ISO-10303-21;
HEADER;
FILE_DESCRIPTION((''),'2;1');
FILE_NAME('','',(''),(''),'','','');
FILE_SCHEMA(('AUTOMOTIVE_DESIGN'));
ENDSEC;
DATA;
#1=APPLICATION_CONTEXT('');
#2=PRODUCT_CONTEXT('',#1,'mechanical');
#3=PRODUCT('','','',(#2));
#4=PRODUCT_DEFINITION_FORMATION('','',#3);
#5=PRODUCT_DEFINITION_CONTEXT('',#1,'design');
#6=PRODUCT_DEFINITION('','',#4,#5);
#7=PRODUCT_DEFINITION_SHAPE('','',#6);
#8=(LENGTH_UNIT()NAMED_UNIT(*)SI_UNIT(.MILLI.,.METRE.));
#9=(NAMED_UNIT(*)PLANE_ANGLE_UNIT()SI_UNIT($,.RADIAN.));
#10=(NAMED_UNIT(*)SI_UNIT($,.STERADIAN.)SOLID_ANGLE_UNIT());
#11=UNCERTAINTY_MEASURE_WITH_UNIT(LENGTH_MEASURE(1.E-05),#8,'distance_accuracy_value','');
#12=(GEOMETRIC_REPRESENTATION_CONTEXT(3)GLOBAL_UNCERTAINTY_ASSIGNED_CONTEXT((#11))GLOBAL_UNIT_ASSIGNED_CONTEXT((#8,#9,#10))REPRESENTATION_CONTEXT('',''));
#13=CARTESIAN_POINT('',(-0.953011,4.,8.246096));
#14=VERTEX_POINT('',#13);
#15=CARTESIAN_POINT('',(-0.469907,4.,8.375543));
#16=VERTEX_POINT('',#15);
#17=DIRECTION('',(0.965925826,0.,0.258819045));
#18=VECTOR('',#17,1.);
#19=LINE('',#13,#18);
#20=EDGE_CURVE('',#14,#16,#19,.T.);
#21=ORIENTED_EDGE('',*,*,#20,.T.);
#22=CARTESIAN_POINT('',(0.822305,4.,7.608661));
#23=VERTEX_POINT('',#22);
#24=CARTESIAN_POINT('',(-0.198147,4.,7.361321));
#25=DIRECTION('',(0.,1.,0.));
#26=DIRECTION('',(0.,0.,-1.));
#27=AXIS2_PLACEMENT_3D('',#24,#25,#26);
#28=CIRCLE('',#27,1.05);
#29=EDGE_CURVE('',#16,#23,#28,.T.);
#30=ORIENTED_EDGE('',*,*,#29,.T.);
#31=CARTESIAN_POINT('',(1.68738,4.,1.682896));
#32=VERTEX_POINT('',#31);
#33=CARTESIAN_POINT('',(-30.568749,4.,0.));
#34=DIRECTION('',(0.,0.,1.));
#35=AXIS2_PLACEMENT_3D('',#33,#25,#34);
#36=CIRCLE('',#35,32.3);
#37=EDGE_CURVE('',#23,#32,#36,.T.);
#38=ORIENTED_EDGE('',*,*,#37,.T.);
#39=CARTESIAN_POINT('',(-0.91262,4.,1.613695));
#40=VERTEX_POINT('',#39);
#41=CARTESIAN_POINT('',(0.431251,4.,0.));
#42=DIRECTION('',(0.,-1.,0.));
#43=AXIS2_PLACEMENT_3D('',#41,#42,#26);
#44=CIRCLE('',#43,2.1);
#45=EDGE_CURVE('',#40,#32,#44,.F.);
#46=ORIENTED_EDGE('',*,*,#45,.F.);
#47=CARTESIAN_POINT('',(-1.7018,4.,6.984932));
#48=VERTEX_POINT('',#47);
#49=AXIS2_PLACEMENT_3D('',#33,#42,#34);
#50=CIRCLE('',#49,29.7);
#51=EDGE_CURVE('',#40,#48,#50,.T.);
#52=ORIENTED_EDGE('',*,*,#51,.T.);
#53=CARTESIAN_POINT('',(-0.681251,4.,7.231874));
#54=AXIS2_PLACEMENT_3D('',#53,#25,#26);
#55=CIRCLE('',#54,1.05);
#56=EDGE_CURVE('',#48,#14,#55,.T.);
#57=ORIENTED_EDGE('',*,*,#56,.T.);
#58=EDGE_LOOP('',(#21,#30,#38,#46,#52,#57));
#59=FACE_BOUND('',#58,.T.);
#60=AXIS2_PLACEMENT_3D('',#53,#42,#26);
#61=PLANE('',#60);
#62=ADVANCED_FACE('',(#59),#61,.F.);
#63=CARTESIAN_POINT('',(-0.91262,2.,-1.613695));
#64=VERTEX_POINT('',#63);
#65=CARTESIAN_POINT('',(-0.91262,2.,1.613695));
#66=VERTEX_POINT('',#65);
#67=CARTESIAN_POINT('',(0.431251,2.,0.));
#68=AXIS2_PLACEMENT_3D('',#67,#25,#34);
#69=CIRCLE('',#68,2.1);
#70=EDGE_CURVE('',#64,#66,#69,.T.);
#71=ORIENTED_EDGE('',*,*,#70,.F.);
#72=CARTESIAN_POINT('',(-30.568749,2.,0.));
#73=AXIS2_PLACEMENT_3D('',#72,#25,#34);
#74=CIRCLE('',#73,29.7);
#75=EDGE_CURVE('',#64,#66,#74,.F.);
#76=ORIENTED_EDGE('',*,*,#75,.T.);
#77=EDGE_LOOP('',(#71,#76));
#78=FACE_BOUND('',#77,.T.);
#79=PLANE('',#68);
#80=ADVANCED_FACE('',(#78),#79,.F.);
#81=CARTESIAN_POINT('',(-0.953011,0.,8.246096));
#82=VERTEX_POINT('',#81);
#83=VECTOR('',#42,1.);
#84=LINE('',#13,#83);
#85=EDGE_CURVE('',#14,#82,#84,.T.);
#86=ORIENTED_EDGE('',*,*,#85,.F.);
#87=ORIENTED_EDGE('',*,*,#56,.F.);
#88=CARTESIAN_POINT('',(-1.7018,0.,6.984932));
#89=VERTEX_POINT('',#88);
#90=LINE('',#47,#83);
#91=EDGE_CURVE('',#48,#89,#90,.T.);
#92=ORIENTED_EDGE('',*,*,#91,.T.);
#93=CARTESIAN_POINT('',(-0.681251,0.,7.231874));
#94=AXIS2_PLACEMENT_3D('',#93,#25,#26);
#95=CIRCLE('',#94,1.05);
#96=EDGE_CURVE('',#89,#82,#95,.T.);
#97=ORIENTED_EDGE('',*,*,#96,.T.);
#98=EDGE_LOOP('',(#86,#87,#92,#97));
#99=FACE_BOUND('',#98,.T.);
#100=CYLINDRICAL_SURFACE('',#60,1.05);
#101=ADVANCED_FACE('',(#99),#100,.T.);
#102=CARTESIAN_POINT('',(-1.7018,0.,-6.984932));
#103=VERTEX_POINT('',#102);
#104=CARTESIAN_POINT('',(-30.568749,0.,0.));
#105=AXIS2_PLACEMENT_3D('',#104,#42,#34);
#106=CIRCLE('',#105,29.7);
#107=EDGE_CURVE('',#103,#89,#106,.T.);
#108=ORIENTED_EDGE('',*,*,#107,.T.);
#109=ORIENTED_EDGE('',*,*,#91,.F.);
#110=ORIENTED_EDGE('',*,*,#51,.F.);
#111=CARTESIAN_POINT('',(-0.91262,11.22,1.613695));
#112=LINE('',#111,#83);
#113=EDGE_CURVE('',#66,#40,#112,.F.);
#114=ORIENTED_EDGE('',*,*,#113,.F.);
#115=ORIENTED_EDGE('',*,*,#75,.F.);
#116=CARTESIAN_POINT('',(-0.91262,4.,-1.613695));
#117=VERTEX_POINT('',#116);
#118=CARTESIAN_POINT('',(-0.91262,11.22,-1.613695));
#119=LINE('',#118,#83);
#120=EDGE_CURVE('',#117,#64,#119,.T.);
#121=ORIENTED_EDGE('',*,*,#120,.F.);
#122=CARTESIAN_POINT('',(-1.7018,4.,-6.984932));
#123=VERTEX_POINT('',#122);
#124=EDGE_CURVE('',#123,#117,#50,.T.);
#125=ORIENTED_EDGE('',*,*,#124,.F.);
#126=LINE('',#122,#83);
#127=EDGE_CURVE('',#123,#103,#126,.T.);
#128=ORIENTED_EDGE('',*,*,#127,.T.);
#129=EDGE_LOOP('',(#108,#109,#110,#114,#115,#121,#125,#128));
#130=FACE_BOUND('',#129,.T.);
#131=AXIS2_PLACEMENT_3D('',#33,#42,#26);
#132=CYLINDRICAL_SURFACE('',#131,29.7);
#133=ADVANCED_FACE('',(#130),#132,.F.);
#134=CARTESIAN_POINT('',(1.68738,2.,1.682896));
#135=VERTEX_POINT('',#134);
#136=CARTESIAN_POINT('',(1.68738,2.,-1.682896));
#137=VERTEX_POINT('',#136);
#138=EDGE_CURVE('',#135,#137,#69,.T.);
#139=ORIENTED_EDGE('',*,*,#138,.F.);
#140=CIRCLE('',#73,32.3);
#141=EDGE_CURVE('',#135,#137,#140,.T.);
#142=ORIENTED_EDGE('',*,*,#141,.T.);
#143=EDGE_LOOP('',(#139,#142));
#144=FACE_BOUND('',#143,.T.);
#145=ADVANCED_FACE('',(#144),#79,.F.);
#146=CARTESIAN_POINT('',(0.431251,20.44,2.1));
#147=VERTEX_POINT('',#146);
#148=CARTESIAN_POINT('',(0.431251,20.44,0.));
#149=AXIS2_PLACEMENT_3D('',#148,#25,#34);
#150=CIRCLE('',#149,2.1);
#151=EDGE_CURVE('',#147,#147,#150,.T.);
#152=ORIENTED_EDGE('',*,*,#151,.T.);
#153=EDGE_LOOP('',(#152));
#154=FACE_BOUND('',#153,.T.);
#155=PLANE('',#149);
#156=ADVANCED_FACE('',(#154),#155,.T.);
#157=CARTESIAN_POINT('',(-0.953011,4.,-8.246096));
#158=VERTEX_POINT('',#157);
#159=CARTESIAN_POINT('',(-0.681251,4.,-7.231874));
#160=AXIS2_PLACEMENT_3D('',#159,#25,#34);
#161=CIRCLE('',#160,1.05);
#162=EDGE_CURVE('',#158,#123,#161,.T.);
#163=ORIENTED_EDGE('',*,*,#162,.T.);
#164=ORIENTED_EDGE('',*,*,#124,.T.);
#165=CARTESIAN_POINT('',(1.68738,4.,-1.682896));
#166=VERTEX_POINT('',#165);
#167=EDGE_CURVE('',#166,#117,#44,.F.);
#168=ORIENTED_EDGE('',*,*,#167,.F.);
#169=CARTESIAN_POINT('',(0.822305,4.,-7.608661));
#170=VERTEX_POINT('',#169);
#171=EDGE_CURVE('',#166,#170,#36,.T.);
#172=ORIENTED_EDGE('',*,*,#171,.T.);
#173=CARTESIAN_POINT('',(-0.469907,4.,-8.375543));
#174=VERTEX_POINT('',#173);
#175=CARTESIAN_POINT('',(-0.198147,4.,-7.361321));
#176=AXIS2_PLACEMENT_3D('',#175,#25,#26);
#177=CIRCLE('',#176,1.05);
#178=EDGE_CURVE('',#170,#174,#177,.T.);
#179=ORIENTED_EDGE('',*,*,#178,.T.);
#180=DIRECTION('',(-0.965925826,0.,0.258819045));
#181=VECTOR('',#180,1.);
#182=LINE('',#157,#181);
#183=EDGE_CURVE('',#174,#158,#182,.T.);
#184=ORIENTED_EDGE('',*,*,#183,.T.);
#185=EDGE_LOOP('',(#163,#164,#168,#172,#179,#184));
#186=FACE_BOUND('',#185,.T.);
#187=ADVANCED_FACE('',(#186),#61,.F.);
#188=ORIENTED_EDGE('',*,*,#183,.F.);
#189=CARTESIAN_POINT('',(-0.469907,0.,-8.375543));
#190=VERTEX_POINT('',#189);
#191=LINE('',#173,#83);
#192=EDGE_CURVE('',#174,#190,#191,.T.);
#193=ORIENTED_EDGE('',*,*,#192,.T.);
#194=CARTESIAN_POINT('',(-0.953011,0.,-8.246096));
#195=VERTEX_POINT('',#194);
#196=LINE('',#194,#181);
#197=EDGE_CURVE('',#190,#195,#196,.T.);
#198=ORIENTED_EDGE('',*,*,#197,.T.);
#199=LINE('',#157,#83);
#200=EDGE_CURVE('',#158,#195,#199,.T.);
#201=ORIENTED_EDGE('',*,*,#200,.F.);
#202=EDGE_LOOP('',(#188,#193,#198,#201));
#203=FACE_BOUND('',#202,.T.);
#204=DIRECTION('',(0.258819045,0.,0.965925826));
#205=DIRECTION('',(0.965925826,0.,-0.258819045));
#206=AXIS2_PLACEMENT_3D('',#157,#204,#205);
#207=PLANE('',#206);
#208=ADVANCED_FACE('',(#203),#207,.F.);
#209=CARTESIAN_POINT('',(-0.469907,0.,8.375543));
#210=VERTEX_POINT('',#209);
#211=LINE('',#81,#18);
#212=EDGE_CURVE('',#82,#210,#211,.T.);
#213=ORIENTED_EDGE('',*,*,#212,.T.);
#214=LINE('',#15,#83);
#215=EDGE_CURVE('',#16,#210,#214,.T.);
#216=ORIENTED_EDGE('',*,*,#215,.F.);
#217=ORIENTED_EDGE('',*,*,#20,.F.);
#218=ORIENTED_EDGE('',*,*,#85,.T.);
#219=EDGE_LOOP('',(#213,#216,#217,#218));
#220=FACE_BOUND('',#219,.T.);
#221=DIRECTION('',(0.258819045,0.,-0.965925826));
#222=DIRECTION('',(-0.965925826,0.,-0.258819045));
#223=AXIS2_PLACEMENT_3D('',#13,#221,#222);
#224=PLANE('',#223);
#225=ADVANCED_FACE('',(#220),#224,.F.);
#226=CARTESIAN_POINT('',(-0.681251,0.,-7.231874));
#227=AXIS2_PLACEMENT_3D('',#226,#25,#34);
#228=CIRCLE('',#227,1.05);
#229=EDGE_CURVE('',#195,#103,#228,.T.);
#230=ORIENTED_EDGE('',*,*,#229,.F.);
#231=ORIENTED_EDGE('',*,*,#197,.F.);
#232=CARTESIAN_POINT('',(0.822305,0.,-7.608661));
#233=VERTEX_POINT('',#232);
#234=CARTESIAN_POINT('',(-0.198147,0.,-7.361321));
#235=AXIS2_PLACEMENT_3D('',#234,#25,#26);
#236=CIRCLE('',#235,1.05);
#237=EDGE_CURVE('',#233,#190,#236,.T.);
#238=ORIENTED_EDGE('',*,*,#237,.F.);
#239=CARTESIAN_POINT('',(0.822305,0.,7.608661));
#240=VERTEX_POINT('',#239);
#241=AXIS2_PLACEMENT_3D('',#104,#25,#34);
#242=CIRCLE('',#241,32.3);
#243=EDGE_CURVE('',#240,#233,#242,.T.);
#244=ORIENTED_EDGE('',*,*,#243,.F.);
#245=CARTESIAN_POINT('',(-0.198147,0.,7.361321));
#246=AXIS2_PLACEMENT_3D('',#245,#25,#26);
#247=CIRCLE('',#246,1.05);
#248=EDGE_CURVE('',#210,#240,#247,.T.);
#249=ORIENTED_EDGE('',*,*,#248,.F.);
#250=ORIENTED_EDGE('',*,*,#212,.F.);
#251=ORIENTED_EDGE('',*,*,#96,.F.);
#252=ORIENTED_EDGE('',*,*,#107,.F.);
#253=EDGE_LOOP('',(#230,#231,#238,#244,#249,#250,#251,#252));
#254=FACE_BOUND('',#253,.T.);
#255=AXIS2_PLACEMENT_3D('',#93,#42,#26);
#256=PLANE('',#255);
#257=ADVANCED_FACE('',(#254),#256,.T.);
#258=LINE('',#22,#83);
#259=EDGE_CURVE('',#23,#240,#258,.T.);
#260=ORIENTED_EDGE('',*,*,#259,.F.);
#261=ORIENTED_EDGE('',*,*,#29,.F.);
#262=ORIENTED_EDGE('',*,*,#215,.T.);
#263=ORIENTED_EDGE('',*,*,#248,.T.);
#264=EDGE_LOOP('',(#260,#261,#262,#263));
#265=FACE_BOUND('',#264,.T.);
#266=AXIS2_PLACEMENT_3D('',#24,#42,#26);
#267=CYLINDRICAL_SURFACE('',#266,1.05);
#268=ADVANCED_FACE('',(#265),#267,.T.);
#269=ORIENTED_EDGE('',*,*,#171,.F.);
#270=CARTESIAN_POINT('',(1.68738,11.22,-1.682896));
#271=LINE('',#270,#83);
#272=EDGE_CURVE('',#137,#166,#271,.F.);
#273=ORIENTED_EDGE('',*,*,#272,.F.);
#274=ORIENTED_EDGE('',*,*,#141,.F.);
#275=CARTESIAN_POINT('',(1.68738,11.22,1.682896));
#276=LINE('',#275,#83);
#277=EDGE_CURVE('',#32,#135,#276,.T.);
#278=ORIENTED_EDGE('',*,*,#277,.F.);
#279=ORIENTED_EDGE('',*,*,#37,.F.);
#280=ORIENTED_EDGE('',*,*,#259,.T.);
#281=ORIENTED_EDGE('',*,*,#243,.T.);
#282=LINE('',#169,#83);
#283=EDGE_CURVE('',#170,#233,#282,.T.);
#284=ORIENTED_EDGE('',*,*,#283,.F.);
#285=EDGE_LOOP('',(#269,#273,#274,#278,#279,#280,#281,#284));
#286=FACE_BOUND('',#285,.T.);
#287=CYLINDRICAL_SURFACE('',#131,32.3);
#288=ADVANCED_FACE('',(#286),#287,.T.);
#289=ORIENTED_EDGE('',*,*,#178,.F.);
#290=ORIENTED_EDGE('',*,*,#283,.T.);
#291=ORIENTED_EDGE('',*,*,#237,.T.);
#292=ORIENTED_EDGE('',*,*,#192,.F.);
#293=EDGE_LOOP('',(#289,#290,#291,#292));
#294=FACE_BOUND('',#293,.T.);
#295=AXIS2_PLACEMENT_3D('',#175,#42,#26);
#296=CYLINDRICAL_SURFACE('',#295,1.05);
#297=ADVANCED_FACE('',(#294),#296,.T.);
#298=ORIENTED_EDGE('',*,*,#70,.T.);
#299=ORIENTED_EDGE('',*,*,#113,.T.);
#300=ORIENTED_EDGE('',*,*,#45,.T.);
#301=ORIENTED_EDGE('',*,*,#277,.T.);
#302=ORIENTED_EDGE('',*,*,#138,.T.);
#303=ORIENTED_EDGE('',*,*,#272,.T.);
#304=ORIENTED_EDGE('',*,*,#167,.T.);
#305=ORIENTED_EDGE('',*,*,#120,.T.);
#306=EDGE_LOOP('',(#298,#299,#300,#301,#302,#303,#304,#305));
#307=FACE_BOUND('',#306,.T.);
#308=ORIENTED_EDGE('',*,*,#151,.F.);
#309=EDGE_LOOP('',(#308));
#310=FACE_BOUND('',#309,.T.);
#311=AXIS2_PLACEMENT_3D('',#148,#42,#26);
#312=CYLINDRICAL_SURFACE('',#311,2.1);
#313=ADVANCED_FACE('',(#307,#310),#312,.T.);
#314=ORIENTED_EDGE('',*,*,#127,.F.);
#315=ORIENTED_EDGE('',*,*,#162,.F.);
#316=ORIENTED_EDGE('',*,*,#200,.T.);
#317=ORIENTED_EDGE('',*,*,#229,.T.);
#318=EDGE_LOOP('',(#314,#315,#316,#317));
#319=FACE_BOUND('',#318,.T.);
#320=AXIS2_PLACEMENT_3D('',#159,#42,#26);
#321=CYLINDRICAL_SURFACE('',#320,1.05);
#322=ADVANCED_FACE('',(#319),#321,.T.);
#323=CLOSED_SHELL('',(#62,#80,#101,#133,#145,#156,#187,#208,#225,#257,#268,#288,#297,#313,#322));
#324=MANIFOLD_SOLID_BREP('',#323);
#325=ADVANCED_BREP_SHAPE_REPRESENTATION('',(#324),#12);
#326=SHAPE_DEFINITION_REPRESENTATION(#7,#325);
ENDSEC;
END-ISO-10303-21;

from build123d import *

# Parameters (mm, degrees)
EXTRUDE_1_DEPTH = 4
SKETCH_2_R      = 2.1
EXTRUDE_2_DEPTH = 18.44


with BuildPart() as part:
    # Эскиз1 → Бобышка-Вытянуть1 (new body)
    with BuildSketch(Plane(origin=(0, 0, 0), x_dir=(1, 0, 0), z_dir=(0, 1, 0))):
        with BuildLine():
            Line((-0.953011277, -8.246095785), (-0.469906947, -8.3755432))
            ThreePointArc((-0.469906947, -8.3755432), (0.33772795, -8.26428182), (0.82230527, -7.608661471))
            ThreePointArc((0.82230527, -7.608661471), (1.73125128, 0), (0.82230527, 7.608661471))
            ThreePointArc((0.82230527, 7.608661471), (0.33772795, 8.26428182), (-0.469906947, 8.3755432))
            Line((-0.469906947, 8.3755432), (-0.953011277, 8.246095785))
            ThreePointArc((-0.953011277, 8.246095785), (-1.584107408, 7.767924796), (-1.701799973, 6.98493164))
            ThreePointArc((-1.701799973, 6.98493164), (-0.86874872, 0), (-1.701799973, -6.98493164))
            ThreePointArc((-1.701799973, -6.98493164), (-1.584107408, -7.767924796), (-0.953011277, -8.246095785))
        make_face()
    extrude(amount=EXTRUDE_1_DEPTH)

    # Эскиз2 → Бобышка-Вытянуть2 (add)
    with BuildSketch(Plane(origin=(0, 2, 0), x_dir=(1, 0, 0), z_dir=(0, 1, 0))):
        with Locations(Location((0.43125128, 0, 0), (0, 0, 53.262006522))):
            Circle(SKETCH_2_R)
    extrude(amount=EXTRUDE_2_DEPTH)


solid = part.part
